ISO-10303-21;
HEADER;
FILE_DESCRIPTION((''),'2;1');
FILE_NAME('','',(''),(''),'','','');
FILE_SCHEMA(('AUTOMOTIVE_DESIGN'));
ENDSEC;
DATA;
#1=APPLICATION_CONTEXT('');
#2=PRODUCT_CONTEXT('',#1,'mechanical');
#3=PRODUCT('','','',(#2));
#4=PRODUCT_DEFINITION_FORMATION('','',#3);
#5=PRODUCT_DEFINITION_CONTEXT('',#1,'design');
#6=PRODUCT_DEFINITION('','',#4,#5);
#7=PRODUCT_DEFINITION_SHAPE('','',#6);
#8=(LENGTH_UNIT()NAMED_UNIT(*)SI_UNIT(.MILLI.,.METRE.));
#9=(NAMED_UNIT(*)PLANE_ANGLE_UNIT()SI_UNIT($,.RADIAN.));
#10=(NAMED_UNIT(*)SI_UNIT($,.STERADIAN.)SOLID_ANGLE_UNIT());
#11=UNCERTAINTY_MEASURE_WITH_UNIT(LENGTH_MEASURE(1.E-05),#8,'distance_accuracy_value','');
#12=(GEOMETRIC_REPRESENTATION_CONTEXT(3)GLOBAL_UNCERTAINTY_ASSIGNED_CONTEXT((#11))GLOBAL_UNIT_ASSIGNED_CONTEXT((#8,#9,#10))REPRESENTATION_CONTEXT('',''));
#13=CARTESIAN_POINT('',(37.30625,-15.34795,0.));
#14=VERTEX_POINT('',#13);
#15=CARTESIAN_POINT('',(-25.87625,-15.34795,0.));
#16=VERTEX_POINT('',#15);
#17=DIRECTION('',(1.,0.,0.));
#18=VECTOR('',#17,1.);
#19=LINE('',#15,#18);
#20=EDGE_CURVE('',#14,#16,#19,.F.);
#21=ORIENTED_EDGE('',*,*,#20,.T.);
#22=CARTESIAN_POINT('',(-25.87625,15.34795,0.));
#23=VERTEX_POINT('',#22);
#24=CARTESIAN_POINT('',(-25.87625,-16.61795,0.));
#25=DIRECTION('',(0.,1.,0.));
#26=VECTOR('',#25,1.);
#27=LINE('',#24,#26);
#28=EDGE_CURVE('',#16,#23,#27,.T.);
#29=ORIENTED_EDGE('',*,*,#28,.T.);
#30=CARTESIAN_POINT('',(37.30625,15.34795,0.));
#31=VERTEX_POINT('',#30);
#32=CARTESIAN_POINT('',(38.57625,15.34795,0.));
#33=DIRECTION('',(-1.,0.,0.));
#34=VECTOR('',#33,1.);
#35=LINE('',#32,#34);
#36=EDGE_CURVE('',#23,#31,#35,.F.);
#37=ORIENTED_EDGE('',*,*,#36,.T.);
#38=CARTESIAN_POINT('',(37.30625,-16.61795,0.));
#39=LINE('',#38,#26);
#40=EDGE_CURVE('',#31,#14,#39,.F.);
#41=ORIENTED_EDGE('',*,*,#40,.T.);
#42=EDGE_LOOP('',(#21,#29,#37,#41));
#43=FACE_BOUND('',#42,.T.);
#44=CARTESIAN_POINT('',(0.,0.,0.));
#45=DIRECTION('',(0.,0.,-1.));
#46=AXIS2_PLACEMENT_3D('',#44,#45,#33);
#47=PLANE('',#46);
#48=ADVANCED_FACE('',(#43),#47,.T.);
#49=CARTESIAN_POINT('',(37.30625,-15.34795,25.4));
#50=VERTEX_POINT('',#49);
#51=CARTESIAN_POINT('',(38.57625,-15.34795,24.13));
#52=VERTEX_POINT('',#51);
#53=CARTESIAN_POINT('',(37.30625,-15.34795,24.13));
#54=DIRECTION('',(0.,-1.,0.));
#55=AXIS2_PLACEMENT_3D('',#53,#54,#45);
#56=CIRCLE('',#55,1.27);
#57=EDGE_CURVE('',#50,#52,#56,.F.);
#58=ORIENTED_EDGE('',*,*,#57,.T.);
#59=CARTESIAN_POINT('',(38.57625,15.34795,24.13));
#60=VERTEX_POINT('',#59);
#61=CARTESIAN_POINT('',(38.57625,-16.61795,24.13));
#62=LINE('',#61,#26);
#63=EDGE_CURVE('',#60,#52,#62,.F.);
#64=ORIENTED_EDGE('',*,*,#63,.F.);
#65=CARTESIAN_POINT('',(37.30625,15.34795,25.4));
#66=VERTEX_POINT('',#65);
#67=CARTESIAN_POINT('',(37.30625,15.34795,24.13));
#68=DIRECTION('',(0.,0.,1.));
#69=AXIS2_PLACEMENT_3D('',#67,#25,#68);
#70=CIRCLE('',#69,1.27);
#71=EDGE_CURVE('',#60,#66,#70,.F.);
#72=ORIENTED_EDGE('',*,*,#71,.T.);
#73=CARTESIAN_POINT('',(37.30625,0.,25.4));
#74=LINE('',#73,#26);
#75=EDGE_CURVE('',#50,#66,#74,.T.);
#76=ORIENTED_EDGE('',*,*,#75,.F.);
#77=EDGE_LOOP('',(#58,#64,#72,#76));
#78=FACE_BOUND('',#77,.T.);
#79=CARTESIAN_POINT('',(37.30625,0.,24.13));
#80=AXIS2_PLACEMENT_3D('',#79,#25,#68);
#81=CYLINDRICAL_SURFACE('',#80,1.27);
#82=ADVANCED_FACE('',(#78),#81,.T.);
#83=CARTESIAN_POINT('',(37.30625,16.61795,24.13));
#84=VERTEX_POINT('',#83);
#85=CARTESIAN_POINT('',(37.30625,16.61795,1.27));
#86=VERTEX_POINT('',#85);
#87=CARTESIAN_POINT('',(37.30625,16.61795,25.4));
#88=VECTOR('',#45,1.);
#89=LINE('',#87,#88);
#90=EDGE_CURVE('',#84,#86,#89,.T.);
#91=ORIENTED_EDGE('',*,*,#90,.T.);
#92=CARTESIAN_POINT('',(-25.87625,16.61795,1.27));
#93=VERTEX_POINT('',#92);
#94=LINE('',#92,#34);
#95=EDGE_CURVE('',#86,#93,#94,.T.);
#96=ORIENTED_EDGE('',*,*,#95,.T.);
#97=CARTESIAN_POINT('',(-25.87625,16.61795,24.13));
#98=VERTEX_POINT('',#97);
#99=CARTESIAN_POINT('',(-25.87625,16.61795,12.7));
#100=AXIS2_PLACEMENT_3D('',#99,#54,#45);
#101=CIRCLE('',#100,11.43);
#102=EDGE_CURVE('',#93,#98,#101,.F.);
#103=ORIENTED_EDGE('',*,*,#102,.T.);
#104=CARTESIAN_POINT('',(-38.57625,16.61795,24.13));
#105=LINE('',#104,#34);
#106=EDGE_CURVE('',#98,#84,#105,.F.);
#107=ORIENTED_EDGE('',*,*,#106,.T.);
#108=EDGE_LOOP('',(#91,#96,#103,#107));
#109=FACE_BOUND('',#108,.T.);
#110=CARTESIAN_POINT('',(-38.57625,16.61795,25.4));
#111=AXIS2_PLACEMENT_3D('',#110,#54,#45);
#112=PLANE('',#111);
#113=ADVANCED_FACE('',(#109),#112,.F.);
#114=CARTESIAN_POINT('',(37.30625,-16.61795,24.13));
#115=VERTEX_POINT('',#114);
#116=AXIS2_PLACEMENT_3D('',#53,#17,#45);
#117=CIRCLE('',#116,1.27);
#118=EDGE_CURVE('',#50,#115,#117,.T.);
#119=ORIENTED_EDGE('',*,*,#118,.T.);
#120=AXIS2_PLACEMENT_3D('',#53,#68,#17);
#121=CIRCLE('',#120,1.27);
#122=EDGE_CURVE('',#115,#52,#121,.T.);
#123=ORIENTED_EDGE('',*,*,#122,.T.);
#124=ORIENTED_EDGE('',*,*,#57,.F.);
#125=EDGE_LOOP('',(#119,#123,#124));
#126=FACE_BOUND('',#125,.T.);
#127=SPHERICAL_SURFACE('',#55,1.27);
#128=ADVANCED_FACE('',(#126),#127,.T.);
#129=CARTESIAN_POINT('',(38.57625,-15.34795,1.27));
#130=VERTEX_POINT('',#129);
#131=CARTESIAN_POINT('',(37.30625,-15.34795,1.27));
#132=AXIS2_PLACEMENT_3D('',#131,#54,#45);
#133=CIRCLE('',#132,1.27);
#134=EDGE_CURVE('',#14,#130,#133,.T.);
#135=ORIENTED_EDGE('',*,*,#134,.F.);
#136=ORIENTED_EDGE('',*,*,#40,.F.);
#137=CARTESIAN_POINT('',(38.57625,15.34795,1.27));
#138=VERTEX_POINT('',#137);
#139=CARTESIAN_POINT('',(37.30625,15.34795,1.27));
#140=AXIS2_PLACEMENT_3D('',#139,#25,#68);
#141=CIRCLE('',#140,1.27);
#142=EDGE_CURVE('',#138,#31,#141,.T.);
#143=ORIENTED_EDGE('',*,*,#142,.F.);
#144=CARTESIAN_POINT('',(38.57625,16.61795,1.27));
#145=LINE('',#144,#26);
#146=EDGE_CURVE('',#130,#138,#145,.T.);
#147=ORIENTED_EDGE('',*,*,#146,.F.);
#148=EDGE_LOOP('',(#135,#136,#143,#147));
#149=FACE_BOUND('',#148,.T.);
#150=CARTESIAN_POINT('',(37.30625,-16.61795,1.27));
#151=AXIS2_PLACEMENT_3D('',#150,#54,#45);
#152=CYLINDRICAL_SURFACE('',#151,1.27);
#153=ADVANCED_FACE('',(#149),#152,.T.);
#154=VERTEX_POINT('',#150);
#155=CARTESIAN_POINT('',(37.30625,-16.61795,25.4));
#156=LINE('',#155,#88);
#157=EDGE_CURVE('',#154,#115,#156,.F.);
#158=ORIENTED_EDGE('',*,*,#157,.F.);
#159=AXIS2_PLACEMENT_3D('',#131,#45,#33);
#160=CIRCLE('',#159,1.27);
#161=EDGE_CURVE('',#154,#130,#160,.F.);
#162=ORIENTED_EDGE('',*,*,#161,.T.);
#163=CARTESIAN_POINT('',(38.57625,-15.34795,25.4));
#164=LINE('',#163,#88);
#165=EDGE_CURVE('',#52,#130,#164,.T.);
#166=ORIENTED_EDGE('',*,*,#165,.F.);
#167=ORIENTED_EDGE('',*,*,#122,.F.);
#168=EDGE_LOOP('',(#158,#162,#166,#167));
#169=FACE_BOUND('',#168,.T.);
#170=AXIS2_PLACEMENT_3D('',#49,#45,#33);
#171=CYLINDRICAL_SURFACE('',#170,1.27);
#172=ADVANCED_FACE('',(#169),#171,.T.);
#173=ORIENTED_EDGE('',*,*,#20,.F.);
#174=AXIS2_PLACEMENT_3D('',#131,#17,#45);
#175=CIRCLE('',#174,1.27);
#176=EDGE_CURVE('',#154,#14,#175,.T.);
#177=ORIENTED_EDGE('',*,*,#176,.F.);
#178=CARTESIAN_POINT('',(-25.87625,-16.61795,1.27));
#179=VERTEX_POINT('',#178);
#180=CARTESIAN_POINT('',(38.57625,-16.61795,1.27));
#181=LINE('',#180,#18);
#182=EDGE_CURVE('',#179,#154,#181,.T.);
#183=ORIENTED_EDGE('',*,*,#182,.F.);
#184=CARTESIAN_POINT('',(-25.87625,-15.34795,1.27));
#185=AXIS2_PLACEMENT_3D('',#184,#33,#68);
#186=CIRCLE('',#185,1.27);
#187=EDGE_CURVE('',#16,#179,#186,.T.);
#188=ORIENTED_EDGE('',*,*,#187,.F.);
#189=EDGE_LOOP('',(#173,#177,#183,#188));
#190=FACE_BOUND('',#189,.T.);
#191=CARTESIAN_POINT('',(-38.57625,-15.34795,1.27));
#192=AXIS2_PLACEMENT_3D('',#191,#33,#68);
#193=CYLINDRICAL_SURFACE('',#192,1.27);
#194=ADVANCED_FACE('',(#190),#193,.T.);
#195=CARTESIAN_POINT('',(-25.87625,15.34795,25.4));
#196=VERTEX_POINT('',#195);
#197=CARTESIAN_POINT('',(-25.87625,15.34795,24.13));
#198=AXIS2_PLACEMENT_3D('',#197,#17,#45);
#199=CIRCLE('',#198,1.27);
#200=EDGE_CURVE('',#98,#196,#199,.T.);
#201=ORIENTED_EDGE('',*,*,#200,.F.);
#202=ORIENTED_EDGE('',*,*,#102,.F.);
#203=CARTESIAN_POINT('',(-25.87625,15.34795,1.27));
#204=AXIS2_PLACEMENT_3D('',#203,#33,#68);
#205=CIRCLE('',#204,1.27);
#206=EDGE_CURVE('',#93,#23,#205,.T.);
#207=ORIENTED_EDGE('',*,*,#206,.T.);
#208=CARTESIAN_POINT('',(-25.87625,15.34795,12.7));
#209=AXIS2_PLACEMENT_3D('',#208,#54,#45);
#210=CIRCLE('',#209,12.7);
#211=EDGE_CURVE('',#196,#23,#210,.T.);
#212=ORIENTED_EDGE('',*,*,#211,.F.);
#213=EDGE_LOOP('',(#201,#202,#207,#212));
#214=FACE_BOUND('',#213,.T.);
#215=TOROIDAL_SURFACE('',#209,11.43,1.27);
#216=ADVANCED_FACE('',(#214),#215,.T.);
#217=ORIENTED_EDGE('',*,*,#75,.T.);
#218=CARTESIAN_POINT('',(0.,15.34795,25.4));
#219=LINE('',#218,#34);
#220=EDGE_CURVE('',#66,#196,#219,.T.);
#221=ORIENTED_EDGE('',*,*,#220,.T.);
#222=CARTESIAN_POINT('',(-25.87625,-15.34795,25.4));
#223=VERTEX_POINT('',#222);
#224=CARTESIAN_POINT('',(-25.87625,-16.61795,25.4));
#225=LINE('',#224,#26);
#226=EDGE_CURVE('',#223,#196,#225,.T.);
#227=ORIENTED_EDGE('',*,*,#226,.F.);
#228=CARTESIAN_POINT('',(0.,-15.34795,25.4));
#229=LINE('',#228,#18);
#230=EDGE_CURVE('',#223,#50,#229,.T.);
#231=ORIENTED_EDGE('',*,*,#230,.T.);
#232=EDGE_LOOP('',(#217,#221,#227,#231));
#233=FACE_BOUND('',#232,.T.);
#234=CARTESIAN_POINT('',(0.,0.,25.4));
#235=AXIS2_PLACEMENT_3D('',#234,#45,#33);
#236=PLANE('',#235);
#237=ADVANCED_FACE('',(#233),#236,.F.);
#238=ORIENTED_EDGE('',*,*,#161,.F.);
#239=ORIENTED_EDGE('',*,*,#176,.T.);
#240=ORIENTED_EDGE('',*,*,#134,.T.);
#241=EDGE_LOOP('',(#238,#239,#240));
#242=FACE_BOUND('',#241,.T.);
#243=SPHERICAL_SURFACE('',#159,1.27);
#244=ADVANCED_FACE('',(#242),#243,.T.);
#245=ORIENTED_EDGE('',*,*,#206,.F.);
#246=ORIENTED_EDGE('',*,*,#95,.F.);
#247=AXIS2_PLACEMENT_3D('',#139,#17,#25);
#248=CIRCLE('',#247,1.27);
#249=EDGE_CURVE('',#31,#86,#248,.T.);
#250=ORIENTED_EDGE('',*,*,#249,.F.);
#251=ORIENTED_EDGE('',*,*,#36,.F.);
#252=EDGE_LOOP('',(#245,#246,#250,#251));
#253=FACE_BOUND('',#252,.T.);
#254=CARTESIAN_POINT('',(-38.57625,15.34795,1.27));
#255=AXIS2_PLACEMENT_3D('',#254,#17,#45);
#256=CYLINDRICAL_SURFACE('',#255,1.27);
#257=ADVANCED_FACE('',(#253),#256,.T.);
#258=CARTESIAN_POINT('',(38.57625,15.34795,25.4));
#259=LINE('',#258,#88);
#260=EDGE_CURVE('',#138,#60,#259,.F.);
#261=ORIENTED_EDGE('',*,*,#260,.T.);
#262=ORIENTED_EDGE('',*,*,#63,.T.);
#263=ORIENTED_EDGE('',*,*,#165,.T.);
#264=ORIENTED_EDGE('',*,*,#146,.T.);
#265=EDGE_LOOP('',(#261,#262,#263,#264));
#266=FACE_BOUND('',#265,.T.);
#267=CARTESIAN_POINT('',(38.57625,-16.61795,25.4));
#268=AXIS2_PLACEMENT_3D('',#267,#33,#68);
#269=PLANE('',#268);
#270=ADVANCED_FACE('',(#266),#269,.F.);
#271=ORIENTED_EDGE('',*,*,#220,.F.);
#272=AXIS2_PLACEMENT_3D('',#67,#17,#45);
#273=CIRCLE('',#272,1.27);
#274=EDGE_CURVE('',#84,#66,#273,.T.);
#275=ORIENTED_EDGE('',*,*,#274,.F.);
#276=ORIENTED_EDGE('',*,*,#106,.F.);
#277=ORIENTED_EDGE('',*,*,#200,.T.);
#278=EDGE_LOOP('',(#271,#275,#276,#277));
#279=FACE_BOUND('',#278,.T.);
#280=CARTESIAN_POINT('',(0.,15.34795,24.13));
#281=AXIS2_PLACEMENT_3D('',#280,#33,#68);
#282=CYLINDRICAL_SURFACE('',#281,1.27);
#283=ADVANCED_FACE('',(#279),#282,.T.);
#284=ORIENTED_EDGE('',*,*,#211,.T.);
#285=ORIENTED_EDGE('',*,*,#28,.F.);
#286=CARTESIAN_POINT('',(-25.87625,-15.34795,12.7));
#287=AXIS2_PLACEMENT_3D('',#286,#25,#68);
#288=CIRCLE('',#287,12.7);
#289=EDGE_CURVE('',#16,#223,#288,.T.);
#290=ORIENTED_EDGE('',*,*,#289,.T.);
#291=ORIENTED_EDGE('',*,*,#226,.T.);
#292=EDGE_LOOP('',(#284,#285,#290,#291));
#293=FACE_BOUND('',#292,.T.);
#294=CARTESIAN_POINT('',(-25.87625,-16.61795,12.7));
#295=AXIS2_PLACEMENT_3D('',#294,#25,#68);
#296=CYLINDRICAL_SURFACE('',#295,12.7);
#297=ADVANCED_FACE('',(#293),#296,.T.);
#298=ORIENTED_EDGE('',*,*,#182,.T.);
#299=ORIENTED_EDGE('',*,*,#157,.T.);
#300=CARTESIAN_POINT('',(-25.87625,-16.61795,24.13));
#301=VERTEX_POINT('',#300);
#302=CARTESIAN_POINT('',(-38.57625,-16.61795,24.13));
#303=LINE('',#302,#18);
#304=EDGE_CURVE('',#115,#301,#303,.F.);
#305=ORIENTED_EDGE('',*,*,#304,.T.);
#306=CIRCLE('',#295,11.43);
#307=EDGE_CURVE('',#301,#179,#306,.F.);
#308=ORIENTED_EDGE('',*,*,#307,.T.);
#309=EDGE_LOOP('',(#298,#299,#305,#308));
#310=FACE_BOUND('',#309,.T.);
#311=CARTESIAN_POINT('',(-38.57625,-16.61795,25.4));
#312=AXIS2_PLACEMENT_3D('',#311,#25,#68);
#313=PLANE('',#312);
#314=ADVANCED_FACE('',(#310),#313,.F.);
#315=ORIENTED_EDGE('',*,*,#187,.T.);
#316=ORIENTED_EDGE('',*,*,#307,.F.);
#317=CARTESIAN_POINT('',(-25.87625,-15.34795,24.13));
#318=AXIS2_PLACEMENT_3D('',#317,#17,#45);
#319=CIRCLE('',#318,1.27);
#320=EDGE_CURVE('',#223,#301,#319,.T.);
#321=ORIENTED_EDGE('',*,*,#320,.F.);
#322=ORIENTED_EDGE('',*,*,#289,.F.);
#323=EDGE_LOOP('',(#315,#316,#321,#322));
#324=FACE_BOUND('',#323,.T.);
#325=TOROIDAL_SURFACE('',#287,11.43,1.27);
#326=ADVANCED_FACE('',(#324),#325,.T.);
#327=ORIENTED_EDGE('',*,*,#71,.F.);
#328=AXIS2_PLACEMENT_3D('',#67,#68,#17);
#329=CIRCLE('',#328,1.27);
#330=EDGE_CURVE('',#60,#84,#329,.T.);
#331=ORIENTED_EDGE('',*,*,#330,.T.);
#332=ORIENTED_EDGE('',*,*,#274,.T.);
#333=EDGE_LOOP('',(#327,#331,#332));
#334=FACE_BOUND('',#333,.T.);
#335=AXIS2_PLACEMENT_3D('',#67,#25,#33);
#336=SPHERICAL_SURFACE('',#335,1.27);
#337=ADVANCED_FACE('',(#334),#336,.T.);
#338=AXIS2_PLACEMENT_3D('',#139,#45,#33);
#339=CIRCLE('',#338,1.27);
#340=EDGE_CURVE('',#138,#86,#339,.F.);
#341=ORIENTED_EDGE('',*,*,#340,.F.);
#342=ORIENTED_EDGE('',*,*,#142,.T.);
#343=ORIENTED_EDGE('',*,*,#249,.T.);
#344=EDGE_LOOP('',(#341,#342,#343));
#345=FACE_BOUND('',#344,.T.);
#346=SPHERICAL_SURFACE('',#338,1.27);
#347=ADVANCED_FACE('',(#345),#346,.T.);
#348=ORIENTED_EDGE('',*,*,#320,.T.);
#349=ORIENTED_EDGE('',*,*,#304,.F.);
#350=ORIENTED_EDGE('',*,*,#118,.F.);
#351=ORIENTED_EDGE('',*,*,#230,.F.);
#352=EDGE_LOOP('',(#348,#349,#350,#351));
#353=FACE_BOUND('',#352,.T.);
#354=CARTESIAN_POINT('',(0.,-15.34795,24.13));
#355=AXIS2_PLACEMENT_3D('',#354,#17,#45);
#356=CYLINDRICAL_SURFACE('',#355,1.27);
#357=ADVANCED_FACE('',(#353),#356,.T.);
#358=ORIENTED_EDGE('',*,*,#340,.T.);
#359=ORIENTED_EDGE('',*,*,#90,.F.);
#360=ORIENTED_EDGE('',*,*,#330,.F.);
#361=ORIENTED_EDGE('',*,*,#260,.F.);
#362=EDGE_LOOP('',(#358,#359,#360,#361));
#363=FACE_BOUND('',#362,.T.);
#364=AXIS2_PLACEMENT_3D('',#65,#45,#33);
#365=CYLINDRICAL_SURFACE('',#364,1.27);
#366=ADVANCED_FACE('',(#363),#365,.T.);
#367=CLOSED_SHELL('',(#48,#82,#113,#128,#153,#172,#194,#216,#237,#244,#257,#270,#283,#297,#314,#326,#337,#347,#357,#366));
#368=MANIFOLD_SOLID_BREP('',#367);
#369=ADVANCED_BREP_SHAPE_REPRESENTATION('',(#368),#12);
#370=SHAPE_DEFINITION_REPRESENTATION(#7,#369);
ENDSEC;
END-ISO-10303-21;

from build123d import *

# Parameters (mm, degrees)
SKETCH1_W           = 77.1525
SKETCH1_H           = 33.2359
BOSS_EXTRUDE1_DEPTH = 25.4
CUT_EXTRUDE1_DEPTH  = 57.902654708
FILLET1_R           = 1.27


with BuildPart() as part:
    # Sketch1 → Boss-Extrude1 (new body)
    with BuildSketch(Plane.XY):
        Rectangle(SKETCH1_W, SKETCH1_H)
    extrude(amount=BOSS_EXTRUDE1_DEPTH)

    # Sketch2 → Cut-Extrude1 (cut, through all)
    with BuildSketch(Plane(origin=(0, 16.61795, 0), x_dir=(1, 0, 0), z_dir=(0, 1, 0))):
        with BuildLine():
            Line((-25.87625, 0), (-51.27625, 0))
            Line((-51.27625, 0), (-51.27625, -25.4))
            Line((-51.27625, -25.4), (-25.87625, -25.4))
            ThreePointArc((-25.87625, -25.4), (-34.856506121, -21.680256121), (-38.57625, -12.7))
            ThreePointArc((-38.57625, -12.7), (-34.856506121, -3.719743879), (-25.87625, 0))
        make_face()
    extrude(amount=-CUT_EXTRUDE1_DEPTH, mode=Mode.SUBTRACT)

    # Fillet1
    fillet1_edges = [part.edges().sort_by_distance(p)[0] for p in [
        (6.35, -16.61795, 0),
        (6.35, -16.61795, 25.4),
        (-38.57625, -16.61795, 12.7),
        (-38.57625, 16.61795, 12.7),
        (38.57625, 0, 25.4),
        (6.35, 16.61795, 0),
        (38.57625, 0, 0),
        (38.57625, -16.61795, 12.7),
        (38.57625, 16.61795, 12.7),
        (6.35, 16.61795, 25.4),
    ]]
    fillet(fillet1_edges, radius=FILLET1_R)


solid = part.part
